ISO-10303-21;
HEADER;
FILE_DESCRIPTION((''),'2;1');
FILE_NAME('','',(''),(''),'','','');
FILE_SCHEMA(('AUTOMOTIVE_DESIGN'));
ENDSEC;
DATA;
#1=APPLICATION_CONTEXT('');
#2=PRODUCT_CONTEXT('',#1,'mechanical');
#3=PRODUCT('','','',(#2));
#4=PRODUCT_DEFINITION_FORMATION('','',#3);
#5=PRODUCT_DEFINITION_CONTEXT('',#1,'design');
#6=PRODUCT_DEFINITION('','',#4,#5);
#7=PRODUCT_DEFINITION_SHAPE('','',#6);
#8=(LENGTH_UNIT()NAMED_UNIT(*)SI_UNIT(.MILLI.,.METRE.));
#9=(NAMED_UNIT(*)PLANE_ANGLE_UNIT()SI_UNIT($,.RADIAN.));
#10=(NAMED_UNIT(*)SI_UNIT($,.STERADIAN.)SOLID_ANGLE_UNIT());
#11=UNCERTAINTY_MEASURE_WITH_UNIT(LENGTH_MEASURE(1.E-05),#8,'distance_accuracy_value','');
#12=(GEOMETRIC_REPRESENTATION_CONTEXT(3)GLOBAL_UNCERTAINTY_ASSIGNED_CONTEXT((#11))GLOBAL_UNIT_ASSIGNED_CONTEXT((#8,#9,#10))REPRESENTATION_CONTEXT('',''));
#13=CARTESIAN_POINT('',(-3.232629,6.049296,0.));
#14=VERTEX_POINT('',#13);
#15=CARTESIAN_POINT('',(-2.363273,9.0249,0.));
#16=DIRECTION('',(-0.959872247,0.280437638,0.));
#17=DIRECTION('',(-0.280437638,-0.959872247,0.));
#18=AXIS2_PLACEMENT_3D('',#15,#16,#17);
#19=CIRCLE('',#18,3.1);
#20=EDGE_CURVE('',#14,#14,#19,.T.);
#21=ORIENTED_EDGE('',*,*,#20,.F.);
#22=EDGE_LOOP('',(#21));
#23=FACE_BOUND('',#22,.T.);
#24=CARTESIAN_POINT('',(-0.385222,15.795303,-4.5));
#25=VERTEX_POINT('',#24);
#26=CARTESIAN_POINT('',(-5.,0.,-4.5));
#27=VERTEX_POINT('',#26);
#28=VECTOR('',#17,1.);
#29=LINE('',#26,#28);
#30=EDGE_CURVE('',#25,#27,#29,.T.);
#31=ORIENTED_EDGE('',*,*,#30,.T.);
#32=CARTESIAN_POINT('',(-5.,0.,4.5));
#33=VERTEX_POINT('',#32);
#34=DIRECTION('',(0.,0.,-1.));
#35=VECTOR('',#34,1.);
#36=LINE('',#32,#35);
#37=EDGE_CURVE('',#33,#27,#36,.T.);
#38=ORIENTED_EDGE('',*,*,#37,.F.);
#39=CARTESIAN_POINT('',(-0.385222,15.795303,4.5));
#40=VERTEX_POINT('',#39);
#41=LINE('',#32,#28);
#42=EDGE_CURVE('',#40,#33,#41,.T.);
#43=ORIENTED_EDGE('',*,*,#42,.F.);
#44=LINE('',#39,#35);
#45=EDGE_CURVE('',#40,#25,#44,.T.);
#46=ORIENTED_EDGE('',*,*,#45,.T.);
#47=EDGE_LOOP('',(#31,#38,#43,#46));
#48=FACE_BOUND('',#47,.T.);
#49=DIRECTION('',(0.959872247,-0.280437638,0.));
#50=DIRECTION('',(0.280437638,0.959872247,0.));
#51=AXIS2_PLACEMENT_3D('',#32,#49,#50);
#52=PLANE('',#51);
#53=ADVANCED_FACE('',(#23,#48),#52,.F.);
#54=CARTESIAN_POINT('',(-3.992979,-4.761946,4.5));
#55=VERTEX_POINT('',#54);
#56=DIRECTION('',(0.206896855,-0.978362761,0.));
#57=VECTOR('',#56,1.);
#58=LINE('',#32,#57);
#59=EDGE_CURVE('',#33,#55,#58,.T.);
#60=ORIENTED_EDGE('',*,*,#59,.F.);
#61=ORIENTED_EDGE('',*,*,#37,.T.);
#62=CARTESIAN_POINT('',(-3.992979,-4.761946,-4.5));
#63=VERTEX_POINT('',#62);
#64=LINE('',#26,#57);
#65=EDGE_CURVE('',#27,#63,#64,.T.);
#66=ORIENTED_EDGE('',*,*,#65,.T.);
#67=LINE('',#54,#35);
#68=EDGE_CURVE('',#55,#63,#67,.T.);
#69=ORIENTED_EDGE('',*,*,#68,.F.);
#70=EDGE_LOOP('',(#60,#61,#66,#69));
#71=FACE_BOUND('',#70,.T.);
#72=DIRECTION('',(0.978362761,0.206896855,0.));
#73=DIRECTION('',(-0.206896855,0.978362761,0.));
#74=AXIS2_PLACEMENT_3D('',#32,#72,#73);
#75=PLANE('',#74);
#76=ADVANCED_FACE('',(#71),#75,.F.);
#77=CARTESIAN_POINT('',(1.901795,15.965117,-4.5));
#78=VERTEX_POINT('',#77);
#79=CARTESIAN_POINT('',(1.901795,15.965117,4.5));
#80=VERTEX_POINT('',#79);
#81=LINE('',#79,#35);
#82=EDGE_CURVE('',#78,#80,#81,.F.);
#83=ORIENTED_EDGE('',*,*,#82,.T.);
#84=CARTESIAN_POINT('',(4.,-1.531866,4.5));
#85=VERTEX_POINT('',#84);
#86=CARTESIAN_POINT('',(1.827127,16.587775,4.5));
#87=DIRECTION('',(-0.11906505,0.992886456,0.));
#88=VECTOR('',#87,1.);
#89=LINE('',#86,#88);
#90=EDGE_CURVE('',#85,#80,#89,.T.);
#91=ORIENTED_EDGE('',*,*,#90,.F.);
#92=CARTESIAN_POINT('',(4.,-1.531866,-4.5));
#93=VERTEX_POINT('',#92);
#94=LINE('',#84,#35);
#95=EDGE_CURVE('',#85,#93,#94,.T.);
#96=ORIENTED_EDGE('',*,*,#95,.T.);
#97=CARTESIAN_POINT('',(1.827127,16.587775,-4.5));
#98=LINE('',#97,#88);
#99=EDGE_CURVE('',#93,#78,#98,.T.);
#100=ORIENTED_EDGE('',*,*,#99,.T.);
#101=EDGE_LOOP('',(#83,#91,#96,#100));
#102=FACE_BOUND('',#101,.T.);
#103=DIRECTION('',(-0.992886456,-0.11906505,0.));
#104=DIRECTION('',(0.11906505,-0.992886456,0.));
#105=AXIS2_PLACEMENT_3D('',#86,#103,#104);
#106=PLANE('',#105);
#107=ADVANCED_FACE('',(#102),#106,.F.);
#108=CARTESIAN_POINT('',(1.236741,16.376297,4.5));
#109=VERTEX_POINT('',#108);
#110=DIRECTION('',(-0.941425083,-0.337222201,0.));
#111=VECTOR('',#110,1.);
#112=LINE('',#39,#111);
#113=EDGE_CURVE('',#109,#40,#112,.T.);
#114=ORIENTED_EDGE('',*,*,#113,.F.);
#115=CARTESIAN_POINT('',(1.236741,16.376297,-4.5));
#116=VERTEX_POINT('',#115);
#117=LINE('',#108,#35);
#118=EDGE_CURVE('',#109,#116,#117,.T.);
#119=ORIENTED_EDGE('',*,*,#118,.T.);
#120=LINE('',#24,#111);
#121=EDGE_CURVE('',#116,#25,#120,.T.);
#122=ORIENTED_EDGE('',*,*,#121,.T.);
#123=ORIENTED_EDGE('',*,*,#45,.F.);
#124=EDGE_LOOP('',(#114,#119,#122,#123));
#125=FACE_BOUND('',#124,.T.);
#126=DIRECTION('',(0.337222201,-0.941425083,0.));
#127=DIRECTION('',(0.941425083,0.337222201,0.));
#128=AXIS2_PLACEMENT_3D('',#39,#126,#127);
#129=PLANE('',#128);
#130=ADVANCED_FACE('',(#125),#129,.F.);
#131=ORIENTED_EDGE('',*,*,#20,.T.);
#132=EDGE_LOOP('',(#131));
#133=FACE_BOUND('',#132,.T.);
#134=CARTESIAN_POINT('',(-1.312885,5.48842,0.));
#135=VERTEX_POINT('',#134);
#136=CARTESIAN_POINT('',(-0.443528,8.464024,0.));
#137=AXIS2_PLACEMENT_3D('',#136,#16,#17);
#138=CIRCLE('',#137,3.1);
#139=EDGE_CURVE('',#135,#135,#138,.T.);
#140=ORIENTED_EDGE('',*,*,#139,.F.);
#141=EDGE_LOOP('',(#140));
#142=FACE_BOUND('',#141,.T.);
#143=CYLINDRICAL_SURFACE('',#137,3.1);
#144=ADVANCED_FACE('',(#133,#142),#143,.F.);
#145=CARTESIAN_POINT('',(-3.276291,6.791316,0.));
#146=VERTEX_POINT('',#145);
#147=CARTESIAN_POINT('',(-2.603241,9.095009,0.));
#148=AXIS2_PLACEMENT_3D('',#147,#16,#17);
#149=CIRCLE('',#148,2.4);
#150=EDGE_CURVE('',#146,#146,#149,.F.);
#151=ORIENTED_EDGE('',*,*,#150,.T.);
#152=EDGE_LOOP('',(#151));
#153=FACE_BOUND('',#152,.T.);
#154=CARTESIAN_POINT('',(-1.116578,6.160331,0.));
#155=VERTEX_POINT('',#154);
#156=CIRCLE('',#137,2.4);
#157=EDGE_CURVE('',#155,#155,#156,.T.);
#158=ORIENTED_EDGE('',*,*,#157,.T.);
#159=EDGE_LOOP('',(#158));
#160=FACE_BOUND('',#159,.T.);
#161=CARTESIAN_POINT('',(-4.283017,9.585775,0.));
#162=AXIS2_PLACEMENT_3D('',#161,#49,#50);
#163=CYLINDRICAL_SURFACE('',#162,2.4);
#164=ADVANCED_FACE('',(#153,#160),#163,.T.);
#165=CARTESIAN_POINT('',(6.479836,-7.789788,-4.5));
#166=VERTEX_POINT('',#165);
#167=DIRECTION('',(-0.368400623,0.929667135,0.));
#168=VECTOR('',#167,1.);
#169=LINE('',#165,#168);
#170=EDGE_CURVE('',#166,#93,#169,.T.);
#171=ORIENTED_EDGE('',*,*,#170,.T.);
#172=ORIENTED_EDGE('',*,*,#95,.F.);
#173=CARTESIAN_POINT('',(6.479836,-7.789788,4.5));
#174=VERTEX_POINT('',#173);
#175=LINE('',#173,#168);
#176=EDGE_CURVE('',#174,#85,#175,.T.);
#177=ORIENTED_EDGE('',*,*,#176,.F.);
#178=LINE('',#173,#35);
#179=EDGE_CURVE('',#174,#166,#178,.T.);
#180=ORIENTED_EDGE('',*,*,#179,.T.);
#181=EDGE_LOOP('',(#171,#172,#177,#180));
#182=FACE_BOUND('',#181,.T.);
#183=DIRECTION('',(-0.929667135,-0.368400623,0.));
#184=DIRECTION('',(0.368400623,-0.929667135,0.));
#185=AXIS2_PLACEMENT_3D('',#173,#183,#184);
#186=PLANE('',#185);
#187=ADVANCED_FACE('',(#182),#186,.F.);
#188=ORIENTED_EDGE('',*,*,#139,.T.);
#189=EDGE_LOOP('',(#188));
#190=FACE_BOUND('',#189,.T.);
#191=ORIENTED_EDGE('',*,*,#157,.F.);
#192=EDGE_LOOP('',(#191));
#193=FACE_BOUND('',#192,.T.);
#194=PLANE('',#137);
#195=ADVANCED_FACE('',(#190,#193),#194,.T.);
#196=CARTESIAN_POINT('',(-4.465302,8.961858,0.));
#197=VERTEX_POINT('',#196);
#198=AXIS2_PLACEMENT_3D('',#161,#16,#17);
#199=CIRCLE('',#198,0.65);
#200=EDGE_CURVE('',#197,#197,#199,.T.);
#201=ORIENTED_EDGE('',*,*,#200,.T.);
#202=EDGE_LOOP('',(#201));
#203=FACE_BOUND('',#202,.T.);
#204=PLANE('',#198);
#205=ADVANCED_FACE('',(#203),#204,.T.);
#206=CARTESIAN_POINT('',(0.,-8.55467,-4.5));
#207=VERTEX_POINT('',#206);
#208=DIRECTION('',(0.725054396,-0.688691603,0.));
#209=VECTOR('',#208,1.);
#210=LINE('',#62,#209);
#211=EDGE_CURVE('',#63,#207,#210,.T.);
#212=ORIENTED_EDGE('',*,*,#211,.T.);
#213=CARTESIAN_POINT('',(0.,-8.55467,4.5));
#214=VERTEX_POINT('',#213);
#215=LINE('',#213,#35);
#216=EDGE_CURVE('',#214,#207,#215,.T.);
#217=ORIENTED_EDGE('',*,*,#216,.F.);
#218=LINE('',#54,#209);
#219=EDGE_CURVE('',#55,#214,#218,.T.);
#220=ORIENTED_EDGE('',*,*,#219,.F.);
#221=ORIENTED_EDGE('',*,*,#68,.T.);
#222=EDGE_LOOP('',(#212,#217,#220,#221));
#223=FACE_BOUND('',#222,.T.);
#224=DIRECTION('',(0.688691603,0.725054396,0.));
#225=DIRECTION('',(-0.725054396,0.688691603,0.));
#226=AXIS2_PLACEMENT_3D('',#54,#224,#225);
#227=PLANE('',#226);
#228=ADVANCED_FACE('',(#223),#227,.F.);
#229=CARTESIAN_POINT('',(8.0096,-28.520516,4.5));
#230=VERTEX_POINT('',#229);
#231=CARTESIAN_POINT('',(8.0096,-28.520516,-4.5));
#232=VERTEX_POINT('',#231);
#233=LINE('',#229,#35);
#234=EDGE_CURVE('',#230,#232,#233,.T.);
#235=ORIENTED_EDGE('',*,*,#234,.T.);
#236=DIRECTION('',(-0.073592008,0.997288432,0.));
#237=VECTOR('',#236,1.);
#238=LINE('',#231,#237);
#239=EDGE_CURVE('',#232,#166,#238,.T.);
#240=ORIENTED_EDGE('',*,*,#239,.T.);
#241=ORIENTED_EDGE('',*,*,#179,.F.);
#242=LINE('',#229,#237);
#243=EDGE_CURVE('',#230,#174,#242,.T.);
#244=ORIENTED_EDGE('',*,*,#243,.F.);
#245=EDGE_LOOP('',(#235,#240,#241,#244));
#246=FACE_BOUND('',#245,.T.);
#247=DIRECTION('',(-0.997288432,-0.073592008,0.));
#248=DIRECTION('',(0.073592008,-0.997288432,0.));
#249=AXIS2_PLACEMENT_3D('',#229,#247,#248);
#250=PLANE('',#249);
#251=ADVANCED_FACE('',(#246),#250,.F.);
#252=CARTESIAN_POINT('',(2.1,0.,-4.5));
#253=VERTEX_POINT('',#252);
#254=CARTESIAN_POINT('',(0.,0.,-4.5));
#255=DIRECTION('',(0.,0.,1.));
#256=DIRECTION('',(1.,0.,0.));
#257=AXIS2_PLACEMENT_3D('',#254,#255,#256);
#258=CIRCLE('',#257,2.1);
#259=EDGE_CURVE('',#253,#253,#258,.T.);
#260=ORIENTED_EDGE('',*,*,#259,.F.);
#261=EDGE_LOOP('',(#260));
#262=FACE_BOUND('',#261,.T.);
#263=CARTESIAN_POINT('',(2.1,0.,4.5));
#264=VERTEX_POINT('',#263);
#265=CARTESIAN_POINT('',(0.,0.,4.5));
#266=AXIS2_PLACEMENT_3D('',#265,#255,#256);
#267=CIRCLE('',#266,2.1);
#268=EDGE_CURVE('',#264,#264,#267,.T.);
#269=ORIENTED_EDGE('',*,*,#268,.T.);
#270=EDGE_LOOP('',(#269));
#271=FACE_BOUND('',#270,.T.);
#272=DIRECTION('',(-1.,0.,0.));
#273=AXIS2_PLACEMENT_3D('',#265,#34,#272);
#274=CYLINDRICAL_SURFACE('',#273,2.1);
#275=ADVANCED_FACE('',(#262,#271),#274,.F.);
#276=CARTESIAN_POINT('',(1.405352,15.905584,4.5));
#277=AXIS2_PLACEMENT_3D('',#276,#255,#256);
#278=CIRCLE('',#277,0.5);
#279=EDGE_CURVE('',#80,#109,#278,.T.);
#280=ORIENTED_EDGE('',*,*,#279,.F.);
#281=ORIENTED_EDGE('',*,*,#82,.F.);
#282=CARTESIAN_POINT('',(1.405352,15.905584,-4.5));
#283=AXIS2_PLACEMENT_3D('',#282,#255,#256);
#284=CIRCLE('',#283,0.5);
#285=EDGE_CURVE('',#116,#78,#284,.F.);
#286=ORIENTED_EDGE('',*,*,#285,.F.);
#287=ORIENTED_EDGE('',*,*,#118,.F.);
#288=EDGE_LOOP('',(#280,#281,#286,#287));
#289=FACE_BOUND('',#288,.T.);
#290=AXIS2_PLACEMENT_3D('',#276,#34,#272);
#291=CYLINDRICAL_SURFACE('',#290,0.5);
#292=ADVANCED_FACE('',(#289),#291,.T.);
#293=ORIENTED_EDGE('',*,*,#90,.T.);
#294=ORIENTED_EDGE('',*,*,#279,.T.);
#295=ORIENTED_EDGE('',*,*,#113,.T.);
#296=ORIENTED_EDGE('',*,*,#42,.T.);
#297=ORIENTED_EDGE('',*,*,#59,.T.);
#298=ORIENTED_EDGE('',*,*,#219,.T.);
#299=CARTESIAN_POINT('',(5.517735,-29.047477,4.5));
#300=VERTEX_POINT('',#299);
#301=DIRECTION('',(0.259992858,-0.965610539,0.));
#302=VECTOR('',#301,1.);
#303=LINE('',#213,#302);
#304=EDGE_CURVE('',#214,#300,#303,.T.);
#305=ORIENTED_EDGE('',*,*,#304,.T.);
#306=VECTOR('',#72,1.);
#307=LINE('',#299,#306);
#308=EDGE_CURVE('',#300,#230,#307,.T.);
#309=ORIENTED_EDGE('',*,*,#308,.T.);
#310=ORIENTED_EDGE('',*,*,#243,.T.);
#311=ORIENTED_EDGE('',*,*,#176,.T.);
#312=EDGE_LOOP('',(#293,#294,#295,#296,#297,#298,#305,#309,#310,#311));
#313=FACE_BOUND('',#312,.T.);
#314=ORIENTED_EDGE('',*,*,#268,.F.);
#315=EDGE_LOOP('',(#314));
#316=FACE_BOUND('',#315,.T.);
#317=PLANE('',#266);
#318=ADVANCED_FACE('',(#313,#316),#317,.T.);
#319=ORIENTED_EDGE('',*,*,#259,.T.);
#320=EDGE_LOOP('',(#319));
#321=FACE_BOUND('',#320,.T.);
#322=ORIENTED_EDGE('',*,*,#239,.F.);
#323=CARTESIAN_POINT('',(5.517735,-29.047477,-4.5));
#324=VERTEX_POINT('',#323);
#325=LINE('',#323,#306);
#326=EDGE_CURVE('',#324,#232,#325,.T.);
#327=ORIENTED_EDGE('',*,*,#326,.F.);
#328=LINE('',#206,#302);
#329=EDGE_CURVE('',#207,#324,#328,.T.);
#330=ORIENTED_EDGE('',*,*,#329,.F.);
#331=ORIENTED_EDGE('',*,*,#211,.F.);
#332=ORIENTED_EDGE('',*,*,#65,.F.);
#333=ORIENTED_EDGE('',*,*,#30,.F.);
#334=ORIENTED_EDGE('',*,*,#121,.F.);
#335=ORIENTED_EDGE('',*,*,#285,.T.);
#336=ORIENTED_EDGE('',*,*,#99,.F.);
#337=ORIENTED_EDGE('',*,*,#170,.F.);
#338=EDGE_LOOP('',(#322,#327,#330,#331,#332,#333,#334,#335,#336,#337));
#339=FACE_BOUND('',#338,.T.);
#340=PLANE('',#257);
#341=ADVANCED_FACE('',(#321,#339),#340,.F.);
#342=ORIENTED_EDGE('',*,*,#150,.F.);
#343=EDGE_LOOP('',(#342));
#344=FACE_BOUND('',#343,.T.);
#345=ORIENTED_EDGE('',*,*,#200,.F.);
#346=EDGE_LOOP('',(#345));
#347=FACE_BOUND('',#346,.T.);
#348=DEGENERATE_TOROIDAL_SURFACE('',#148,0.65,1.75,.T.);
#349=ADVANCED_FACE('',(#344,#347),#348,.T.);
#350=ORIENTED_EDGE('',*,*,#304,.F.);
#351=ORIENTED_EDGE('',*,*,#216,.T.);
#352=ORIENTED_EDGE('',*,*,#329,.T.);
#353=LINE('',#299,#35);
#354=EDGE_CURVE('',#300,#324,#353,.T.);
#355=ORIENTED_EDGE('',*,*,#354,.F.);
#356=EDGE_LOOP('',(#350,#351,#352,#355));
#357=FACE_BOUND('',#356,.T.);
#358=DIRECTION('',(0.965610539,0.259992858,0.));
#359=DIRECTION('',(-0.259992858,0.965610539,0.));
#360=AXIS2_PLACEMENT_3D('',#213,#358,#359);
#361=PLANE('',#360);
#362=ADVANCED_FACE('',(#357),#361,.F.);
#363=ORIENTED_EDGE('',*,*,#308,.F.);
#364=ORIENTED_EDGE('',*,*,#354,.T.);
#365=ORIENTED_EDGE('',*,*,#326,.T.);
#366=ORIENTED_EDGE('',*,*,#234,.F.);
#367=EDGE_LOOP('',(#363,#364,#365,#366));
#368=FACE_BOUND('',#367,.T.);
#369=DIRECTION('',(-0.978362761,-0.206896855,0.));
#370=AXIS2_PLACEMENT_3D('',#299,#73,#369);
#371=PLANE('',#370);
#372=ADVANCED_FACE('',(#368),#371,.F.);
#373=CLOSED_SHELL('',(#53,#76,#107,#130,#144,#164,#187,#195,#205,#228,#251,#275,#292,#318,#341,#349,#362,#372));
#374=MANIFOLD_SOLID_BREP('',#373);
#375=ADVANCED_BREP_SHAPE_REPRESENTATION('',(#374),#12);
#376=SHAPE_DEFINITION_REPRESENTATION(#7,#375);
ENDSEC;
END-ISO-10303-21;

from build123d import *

# Parameters (mm, degrees)
SKETCH_1_R          = 2.1
EXTRUDE_1_DEPTH     = 4.5
SKETCH_2_R          = 2.4
EXTRUDE_2_DEPTH     = 2
FILLET_1_R          = 1.75
CUT_EXTRUDE_START   = -2
SKETCH_3_R          = 3.1
SKETCH_3_R_2        = 2.4
CUT_EXTRUDE_1_DEPTH = 2
FILLET_3_R          = 0.5


with BuildPart() as part:
    # 스케치1 → 보스-돌출1 (new, symmetric)
    with BuildSketch(Plane.XY):
        Polygon((-5, 0), (-0.385221799, 15.795303231), (1.827127146, 16.587775404), (4, -1.531866144), (6.479836305, -7.789788004), (8.009600242, -28.520515794), (5.517735363, -29.047476782), (0, -8.554669972), (-3.992979216, -4.761945907), align=None)
        Circle(SKETCH_1_R, mode=Mode.SUBTRACT)
    extrude(amount=EXTRUDE_1_DEPTH, both=True)

    # 스케치2 → 보스-돌출2 (add)
    with BuildSketch(Plane(origin=(-4.606773657, 1.345921527, 0), x_dir=(0, 0, 1), z_dir=(-0.9598722474471307, 0.2804376375966574, 0))):
        with Locations(Location((0, 8, 0), (0, 0, 90))):
            Circle(SKETCH_2_R)
    extrude(amount=EXTRUDE_2_DEPTH)

    # 필렛1
    fillet_1_edges = [part.edges().sort_by_distance(p)[0] for p in [
        (-4.956067381, 7.282081388, 0),
    ]]
    fillet(fillet_1_edges, radius=FILLET_1_R)

    # 스케치3 → 컷-돌출1 (cut)
    with BuildSketch(Plane(origin=(-4.606773657, 1.345921527, 0), x_dir=(0, 0, 1), z_dir=(-0.9598722474471308, 0.28043763759665746, 0)).offset(CUT_EXTRUDE_START)):
        with Locations(Location((0, 8, 0), (0, 0, 270))):
            Circle(SKETCH_3_R)
        with Locations(Location((0, 8, 0), (0, 0, 270))):
            Circle(SKETCH_3_R_2, mode=Mode.SUBTRACT)
    extrude(amount=CUT_EXTRUDE_1_DEPTH, mode=Mode.SUBTRACT)

    # 필렛3
    fillet_3_edges = [part.edges().sort_by_distance(p)[0] for p in [
        (1.827127146, 16.587775404, 0),
    ]]
    fillet(fillet_3_edges, radius=FILLET_3_R)


solid = part.part
